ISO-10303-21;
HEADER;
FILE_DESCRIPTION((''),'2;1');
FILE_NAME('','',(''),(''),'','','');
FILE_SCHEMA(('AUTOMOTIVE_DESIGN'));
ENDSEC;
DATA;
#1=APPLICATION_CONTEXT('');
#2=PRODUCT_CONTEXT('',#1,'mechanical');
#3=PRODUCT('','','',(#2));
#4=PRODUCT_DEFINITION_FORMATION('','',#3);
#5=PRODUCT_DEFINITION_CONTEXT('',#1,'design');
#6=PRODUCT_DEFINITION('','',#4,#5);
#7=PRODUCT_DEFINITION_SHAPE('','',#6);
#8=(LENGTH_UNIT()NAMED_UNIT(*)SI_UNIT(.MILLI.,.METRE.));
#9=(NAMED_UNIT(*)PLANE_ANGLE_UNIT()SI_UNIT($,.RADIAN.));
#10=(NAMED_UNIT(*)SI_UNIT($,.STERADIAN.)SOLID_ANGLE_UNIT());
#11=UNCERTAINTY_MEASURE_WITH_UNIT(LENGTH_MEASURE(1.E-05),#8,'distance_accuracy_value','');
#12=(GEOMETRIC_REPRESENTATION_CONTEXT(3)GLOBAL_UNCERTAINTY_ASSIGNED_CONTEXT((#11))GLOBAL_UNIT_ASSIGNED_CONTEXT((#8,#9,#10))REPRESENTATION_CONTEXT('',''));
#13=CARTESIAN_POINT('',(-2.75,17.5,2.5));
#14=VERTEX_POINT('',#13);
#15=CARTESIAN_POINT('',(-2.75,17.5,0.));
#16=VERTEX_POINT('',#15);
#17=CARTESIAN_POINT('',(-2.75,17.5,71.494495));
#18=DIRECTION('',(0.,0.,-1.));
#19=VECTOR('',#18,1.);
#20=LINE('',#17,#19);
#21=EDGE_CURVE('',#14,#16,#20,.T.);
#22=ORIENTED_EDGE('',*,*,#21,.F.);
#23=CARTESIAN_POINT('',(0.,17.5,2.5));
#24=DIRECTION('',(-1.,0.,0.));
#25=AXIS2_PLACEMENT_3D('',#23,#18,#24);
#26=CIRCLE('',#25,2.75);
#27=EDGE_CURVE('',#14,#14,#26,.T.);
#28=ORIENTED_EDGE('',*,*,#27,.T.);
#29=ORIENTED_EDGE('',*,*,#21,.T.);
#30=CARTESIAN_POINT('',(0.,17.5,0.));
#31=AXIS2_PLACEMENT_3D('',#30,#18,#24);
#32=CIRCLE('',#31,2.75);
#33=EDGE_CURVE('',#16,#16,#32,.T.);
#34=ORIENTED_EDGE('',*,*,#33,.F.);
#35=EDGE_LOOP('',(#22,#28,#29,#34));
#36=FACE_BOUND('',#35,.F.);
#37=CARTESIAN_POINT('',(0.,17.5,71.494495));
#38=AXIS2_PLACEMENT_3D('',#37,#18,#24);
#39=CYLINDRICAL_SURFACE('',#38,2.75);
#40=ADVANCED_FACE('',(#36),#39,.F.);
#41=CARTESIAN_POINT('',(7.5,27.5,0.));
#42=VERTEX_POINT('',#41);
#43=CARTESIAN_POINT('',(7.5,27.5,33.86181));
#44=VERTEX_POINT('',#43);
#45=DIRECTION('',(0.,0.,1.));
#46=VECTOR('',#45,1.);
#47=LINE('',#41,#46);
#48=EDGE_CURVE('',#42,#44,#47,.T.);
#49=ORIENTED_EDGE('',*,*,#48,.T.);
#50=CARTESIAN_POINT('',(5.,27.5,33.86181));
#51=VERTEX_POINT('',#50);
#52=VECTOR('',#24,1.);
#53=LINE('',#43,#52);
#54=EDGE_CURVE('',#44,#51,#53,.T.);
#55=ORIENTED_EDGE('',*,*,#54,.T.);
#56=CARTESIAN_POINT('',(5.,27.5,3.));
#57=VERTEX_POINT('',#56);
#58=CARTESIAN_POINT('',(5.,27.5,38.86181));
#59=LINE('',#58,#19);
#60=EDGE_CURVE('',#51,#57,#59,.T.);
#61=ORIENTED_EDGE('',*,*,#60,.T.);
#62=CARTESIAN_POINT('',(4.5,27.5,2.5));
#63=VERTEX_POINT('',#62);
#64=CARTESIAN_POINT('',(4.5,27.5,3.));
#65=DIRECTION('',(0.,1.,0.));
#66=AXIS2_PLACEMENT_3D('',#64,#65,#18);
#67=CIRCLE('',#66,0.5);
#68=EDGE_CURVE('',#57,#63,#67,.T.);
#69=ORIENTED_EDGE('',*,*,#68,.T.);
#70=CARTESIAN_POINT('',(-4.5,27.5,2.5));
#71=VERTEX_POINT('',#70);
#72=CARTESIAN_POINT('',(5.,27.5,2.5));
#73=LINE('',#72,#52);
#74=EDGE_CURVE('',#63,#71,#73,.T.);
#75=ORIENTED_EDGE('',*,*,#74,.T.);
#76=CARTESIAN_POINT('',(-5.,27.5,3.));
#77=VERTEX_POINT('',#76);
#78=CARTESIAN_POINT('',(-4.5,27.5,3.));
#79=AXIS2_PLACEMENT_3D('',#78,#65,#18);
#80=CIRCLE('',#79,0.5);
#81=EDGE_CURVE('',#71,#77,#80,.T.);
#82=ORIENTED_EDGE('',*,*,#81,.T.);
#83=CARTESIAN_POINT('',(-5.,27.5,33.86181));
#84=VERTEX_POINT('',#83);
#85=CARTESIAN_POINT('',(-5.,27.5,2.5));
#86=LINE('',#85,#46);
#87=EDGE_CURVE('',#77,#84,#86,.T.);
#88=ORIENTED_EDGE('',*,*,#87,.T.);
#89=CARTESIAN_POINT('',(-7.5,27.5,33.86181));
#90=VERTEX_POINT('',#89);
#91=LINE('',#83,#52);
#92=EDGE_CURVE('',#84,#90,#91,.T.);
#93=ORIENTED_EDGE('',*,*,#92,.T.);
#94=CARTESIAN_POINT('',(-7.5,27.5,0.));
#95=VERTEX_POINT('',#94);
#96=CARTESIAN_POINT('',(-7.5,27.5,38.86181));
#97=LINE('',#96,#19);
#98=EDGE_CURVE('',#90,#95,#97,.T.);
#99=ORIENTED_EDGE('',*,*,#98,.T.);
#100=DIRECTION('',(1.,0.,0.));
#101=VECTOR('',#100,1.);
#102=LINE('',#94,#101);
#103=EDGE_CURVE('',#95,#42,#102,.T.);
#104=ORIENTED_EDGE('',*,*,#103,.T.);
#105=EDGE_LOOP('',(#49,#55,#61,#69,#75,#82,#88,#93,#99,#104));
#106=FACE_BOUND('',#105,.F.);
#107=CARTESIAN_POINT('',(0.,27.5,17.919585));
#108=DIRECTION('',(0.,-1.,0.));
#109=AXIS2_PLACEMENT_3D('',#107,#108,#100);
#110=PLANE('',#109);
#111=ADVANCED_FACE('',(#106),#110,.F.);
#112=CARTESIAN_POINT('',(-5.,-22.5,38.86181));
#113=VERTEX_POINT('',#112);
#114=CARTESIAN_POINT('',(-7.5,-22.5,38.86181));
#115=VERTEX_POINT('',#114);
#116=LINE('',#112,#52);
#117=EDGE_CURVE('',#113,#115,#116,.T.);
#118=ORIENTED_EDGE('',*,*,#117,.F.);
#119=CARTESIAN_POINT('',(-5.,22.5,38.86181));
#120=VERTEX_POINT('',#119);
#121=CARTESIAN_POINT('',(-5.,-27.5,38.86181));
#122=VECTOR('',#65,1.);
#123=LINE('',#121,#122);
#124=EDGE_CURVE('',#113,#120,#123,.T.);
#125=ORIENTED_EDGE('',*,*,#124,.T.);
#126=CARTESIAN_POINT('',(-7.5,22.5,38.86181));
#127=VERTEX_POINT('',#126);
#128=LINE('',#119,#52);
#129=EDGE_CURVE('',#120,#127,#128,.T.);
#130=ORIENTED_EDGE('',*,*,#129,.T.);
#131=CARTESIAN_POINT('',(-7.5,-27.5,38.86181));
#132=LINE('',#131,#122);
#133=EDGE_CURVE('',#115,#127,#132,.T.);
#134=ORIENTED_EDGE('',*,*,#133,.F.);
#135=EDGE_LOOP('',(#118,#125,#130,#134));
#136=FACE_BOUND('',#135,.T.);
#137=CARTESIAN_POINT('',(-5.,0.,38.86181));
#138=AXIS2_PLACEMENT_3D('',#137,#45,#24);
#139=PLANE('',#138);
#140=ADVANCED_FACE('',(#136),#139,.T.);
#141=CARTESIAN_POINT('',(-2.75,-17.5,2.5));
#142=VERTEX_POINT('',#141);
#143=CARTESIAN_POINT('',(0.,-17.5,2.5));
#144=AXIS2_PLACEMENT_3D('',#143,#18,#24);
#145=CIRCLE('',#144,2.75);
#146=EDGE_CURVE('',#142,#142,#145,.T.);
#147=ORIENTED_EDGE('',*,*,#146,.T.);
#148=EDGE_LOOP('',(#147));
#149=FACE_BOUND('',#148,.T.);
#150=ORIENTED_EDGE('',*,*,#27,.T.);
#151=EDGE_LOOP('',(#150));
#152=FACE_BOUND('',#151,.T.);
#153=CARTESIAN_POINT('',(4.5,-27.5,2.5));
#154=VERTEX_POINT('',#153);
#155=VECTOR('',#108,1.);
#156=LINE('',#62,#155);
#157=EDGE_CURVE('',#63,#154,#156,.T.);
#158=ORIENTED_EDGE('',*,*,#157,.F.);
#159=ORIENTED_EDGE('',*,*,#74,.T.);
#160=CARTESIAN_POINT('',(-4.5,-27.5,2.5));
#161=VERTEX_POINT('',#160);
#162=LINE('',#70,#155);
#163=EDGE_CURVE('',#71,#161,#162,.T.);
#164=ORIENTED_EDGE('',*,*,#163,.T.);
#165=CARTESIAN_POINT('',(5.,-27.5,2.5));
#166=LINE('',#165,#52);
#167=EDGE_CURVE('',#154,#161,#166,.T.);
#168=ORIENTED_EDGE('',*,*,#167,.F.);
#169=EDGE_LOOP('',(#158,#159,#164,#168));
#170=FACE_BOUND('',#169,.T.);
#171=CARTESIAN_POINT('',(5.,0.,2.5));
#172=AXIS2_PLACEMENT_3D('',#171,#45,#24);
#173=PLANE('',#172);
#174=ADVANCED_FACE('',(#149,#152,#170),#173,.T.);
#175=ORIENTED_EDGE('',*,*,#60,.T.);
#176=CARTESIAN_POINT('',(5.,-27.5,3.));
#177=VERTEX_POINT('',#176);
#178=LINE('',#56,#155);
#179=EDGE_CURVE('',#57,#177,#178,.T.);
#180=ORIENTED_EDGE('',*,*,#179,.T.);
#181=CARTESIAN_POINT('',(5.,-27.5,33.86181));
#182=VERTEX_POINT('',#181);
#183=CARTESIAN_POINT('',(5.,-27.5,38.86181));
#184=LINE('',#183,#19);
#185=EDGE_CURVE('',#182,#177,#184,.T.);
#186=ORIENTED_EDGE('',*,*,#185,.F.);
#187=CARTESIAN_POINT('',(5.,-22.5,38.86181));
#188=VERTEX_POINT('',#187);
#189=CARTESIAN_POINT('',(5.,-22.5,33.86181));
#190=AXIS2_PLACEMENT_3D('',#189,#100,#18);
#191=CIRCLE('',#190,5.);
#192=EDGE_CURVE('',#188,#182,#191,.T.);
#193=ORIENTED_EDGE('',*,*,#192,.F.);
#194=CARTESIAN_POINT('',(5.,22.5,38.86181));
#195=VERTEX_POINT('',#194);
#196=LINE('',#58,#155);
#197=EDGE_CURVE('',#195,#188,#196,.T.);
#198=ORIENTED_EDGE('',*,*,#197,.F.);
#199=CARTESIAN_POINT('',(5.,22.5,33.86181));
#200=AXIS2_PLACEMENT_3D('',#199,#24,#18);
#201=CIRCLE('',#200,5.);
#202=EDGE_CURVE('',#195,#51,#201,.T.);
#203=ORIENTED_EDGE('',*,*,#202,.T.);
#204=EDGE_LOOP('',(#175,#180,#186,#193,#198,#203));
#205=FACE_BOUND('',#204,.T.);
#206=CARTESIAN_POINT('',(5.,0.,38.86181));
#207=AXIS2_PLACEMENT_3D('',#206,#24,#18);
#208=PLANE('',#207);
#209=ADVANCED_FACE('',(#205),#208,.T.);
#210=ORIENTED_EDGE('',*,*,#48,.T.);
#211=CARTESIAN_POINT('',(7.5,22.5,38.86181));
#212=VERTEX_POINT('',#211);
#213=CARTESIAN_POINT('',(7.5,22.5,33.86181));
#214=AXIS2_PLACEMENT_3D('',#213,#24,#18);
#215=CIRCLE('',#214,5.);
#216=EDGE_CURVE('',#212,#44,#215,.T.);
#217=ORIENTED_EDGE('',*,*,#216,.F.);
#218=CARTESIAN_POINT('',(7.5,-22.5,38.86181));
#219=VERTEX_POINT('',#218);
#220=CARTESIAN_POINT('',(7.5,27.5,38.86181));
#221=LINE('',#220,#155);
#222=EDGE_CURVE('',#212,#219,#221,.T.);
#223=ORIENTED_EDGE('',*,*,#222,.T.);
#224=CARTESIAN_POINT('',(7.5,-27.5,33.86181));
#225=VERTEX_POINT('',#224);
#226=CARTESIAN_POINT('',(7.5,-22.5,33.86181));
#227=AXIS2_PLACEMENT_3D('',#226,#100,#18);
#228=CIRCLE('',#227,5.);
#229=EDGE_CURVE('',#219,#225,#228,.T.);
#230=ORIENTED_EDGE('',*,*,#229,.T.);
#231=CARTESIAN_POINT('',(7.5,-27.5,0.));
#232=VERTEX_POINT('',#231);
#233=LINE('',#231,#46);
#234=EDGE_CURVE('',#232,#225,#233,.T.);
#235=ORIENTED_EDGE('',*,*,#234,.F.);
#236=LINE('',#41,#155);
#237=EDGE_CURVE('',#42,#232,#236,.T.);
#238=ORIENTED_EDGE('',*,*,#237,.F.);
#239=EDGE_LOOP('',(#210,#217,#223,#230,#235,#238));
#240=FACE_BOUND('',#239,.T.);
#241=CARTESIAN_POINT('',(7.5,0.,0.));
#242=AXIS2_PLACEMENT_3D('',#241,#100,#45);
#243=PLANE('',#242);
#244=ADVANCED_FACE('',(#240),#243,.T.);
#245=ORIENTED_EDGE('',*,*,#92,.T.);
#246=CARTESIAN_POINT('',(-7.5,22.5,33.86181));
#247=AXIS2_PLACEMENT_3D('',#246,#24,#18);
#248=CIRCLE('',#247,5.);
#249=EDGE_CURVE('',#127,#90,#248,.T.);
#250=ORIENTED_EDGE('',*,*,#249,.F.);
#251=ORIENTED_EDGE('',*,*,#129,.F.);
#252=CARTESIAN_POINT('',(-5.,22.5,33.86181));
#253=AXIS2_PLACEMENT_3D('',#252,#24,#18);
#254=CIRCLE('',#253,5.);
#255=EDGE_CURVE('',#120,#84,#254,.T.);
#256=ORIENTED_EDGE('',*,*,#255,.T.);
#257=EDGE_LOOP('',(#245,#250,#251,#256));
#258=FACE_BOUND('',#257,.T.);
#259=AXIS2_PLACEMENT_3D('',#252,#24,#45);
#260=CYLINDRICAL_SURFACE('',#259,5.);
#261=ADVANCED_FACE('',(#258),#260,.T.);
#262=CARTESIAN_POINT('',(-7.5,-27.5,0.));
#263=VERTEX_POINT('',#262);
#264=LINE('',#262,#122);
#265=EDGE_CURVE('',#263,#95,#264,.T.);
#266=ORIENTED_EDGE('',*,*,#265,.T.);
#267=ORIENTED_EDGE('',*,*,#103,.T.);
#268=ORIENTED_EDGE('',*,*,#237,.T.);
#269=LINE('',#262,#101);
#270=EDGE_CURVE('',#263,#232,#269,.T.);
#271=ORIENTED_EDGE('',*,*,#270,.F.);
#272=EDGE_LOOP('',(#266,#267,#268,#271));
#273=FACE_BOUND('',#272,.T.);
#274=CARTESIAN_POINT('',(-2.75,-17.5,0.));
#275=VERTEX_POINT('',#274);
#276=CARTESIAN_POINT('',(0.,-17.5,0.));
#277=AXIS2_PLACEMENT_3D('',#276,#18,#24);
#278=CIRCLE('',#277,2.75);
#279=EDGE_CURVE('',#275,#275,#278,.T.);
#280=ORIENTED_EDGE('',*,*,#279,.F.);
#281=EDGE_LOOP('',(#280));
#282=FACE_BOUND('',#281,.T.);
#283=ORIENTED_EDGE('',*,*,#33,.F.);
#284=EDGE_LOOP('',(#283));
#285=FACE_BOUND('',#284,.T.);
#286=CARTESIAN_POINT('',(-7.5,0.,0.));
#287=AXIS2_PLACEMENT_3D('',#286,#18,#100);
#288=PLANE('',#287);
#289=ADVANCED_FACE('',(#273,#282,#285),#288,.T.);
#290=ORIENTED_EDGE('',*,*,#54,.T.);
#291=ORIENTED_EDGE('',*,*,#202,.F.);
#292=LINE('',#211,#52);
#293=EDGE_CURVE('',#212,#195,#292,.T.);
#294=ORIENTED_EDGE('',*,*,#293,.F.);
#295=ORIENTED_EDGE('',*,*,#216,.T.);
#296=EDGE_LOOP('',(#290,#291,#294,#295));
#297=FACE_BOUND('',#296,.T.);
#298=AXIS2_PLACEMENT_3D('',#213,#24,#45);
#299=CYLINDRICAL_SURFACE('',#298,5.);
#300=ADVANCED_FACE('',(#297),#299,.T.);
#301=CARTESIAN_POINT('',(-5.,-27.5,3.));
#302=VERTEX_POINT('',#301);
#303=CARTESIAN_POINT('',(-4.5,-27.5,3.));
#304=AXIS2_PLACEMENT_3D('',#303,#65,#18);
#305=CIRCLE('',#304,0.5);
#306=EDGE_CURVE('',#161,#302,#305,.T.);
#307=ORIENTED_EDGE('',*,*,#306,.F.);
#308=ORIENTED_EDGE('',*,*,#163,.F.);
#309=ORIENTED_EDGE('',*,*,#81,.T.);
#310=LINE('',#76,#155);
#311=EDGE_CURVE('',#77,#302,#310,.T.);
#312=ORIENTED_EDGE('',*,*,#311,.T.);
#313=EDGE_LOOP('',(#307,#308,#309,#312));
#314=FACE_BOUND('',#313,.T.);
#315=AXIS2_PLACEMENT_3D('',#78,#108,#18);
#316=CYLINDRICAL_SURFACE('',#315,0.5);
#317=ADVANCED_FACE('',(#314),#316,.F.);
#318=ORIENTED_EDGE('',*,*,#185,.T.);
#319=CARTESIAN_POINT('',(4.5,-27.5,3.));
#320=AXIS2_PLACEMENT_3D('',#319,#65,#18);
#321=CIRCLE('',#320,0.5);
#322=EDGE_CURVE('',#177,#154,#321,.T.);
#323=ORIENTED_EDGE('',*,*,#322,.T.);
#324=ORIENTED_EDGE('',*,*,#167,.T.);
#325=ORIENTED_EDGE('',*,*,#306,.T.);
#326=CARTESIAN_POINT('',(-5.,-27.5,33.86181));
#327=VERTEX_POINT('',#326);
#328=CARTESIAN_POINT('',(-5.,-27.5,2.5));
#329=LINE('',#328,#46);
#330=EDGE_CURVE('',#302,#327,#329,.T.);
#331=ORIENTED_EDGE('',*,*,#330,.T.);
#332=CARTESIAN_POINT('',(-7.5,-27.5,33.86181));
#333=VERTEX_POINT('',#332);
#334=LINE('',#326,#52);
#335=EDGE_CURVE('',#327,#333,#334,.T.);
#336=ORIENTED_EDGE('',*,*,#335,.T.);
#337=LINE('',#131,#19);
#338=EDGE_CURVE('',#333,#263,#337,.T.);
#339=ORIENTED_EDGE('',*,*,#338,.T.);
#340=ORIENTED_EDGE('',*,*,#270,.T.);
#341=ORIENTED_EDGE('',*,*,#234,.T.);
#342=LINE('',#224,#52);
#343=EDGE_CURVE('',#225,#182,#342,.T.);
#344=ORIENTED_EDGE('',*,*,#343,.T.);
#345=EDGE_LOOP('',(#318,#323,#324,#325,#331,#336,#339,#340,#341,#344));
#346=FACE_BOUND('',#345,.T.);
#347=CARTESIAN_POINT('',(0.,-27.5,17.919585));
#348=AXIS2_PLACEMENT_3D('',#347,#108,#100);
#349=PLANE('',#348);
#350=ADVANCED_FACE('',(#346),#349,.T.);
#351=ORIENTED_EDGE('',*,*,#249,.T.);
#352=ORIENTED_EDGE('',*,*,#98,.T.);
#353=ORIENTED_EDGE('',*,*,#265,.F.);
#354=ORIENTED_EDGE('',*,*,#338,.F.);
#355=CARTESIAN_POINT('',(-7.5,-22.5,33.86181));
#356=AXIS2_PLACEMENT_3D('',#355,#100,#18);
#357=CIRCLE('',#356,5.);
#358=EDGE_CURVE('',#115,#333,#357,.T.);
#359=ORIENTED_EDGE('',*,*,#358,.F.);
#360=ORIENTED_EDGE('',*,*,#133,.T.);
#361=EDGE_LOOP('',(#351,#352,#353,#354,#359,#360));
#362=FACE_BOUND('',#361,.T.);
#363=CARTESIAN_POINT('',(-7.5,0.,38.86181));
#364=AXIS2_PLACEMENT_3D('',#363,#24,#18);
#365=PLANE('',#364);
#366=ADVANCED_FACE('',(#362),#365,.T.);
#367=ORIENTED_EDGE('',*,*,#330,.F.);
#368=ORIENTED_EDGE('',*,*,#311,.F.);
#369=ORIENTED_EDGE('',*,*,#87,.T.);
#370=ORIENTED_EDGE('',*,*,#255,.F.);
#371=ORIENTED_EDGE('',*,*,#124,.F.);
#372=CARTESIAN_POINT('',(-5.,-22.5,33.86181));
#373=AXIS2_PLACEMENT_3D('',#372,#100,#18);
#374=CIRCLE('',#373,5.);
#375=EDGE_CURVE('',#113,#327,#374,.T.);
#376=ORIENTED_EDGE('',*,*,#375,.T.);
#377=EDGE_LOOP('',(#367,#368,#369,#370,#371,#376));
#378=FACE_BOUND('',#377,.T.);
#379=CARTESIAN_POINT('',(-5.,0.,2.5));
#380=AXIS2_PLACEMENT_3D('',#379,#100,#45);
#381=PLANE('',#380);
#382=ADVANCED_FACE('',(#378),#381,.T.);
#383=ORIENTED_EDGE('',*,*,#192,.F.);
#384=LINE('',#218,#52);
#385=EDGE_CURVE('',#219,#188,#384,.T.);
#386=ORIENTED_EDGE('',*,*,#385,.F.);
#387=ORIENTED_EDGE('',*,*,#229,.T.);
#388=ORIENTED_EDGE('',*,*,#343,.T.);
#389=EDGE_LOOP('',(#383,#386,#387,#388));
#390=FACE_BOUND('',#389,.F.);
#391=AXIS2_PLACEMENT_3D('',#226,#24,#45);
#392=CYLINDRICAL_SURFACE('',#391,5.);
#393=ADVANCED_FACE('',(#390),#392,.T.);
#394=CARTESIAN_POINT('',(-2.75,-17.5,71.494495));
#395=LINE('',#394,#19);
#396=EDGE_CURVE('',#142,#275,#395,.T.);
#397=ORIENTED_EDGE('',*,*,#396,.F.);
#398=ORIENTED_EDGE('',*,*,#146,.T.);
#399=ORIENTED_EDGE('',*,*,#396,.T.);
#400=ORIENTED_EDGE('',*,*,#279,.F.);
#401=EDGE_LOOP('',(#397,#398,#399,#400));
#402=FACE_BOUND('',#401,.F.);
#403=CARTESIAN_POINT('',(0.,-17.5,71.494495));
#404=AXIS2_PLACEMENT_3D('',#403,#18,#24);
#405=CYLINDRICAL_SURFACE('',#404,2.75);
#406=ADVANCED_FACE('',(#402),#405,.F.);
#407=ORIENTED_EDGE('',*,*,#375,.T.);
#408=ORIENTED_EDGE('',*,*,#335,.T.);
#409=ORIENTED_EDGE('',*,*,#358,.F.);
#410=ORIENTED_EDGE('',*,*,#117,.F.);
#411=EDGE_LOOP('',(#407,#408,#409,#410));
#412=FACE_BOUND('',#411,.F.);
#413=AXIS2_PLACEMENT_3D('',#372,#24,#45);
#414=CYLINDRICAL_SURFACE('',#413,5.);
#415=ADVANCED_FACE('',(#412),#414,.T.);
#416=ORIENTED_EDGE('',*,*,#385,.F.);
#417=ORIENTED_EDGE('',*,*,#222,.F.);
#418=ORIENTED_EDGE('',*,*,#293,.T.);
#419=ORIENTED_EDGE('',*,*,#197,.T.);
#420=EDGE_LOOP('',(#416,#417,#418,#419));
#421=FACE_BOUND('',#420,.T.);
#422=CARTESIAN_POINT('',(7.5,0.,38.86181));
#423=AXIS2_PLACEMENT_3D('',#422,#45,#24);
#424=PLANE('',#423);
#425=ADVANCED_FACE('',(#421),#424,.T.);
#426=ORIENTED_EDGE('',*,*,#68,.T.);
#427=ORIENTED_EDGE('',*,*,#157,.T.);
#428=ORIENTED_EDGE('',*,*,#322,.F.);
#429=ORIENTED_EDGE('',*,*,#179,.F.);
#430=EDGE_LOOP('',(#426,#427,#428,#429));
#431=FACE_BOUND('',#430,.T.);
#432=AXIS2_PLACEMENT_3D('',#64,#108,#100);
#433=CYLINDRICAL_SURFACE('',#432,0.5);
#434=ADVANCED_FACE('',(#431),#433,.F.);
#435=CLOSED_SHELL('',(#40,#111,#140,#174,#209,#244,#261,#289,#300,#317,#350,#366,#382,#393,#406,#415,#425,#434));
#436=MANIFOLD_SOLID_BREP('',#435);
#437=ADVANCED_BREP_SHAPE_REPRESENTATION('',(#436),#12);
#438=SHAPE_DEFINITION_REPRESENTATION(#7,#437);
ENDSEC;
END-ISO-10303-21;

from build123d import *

# Parameters (mm, degrees)
F1_DEPTH = 27.5
F2_R     = 5
F3_R     = 0.5
F5_D     = 5.5


with BuildPart() as f1:
    # F0 (on Front) → F1 (new body, symmetric)
    with BuildSketch(Plane.XZ):
        Polygon((-7.5, 0), (0, 0), (7.5, 0), (7.5, 38.8618100292), (5, 38.8618100292), (5, 2.5), (-5, 2.5), (-5, 38.8618100292), (-7.5, 38.8618100292), align=None)
    extrude(amount=F1_DEPTH, both=True)

    # F2
    f2_edges = [f1.edges().sort_by_distance(p)[0] for p in [
        (6.25, -27.5, 38.86181),
        (-6.25, -27.5, 38.86181),
        (6.25, 27.5, 38.86181),
        (-6.25, 27.5, 38.86181),
    ]]
    fillet(f2_edges, radius=F2_R)

    # F3
    f3_edges = [f1.edges().sort_by_distance(p)[0] for p in [
        (-5, 0, 2.5),
        (5, 0, 2.5),
    ]]
    fillet(f3_edges, radius=F3_R)

    # F5 (through all)
    with Locations(Plane.XY.offset(2.5)):
        with Locations((0, 17.5), (0, -17.5)):
            Hole(F5_D / 2)


solid = f1.part
